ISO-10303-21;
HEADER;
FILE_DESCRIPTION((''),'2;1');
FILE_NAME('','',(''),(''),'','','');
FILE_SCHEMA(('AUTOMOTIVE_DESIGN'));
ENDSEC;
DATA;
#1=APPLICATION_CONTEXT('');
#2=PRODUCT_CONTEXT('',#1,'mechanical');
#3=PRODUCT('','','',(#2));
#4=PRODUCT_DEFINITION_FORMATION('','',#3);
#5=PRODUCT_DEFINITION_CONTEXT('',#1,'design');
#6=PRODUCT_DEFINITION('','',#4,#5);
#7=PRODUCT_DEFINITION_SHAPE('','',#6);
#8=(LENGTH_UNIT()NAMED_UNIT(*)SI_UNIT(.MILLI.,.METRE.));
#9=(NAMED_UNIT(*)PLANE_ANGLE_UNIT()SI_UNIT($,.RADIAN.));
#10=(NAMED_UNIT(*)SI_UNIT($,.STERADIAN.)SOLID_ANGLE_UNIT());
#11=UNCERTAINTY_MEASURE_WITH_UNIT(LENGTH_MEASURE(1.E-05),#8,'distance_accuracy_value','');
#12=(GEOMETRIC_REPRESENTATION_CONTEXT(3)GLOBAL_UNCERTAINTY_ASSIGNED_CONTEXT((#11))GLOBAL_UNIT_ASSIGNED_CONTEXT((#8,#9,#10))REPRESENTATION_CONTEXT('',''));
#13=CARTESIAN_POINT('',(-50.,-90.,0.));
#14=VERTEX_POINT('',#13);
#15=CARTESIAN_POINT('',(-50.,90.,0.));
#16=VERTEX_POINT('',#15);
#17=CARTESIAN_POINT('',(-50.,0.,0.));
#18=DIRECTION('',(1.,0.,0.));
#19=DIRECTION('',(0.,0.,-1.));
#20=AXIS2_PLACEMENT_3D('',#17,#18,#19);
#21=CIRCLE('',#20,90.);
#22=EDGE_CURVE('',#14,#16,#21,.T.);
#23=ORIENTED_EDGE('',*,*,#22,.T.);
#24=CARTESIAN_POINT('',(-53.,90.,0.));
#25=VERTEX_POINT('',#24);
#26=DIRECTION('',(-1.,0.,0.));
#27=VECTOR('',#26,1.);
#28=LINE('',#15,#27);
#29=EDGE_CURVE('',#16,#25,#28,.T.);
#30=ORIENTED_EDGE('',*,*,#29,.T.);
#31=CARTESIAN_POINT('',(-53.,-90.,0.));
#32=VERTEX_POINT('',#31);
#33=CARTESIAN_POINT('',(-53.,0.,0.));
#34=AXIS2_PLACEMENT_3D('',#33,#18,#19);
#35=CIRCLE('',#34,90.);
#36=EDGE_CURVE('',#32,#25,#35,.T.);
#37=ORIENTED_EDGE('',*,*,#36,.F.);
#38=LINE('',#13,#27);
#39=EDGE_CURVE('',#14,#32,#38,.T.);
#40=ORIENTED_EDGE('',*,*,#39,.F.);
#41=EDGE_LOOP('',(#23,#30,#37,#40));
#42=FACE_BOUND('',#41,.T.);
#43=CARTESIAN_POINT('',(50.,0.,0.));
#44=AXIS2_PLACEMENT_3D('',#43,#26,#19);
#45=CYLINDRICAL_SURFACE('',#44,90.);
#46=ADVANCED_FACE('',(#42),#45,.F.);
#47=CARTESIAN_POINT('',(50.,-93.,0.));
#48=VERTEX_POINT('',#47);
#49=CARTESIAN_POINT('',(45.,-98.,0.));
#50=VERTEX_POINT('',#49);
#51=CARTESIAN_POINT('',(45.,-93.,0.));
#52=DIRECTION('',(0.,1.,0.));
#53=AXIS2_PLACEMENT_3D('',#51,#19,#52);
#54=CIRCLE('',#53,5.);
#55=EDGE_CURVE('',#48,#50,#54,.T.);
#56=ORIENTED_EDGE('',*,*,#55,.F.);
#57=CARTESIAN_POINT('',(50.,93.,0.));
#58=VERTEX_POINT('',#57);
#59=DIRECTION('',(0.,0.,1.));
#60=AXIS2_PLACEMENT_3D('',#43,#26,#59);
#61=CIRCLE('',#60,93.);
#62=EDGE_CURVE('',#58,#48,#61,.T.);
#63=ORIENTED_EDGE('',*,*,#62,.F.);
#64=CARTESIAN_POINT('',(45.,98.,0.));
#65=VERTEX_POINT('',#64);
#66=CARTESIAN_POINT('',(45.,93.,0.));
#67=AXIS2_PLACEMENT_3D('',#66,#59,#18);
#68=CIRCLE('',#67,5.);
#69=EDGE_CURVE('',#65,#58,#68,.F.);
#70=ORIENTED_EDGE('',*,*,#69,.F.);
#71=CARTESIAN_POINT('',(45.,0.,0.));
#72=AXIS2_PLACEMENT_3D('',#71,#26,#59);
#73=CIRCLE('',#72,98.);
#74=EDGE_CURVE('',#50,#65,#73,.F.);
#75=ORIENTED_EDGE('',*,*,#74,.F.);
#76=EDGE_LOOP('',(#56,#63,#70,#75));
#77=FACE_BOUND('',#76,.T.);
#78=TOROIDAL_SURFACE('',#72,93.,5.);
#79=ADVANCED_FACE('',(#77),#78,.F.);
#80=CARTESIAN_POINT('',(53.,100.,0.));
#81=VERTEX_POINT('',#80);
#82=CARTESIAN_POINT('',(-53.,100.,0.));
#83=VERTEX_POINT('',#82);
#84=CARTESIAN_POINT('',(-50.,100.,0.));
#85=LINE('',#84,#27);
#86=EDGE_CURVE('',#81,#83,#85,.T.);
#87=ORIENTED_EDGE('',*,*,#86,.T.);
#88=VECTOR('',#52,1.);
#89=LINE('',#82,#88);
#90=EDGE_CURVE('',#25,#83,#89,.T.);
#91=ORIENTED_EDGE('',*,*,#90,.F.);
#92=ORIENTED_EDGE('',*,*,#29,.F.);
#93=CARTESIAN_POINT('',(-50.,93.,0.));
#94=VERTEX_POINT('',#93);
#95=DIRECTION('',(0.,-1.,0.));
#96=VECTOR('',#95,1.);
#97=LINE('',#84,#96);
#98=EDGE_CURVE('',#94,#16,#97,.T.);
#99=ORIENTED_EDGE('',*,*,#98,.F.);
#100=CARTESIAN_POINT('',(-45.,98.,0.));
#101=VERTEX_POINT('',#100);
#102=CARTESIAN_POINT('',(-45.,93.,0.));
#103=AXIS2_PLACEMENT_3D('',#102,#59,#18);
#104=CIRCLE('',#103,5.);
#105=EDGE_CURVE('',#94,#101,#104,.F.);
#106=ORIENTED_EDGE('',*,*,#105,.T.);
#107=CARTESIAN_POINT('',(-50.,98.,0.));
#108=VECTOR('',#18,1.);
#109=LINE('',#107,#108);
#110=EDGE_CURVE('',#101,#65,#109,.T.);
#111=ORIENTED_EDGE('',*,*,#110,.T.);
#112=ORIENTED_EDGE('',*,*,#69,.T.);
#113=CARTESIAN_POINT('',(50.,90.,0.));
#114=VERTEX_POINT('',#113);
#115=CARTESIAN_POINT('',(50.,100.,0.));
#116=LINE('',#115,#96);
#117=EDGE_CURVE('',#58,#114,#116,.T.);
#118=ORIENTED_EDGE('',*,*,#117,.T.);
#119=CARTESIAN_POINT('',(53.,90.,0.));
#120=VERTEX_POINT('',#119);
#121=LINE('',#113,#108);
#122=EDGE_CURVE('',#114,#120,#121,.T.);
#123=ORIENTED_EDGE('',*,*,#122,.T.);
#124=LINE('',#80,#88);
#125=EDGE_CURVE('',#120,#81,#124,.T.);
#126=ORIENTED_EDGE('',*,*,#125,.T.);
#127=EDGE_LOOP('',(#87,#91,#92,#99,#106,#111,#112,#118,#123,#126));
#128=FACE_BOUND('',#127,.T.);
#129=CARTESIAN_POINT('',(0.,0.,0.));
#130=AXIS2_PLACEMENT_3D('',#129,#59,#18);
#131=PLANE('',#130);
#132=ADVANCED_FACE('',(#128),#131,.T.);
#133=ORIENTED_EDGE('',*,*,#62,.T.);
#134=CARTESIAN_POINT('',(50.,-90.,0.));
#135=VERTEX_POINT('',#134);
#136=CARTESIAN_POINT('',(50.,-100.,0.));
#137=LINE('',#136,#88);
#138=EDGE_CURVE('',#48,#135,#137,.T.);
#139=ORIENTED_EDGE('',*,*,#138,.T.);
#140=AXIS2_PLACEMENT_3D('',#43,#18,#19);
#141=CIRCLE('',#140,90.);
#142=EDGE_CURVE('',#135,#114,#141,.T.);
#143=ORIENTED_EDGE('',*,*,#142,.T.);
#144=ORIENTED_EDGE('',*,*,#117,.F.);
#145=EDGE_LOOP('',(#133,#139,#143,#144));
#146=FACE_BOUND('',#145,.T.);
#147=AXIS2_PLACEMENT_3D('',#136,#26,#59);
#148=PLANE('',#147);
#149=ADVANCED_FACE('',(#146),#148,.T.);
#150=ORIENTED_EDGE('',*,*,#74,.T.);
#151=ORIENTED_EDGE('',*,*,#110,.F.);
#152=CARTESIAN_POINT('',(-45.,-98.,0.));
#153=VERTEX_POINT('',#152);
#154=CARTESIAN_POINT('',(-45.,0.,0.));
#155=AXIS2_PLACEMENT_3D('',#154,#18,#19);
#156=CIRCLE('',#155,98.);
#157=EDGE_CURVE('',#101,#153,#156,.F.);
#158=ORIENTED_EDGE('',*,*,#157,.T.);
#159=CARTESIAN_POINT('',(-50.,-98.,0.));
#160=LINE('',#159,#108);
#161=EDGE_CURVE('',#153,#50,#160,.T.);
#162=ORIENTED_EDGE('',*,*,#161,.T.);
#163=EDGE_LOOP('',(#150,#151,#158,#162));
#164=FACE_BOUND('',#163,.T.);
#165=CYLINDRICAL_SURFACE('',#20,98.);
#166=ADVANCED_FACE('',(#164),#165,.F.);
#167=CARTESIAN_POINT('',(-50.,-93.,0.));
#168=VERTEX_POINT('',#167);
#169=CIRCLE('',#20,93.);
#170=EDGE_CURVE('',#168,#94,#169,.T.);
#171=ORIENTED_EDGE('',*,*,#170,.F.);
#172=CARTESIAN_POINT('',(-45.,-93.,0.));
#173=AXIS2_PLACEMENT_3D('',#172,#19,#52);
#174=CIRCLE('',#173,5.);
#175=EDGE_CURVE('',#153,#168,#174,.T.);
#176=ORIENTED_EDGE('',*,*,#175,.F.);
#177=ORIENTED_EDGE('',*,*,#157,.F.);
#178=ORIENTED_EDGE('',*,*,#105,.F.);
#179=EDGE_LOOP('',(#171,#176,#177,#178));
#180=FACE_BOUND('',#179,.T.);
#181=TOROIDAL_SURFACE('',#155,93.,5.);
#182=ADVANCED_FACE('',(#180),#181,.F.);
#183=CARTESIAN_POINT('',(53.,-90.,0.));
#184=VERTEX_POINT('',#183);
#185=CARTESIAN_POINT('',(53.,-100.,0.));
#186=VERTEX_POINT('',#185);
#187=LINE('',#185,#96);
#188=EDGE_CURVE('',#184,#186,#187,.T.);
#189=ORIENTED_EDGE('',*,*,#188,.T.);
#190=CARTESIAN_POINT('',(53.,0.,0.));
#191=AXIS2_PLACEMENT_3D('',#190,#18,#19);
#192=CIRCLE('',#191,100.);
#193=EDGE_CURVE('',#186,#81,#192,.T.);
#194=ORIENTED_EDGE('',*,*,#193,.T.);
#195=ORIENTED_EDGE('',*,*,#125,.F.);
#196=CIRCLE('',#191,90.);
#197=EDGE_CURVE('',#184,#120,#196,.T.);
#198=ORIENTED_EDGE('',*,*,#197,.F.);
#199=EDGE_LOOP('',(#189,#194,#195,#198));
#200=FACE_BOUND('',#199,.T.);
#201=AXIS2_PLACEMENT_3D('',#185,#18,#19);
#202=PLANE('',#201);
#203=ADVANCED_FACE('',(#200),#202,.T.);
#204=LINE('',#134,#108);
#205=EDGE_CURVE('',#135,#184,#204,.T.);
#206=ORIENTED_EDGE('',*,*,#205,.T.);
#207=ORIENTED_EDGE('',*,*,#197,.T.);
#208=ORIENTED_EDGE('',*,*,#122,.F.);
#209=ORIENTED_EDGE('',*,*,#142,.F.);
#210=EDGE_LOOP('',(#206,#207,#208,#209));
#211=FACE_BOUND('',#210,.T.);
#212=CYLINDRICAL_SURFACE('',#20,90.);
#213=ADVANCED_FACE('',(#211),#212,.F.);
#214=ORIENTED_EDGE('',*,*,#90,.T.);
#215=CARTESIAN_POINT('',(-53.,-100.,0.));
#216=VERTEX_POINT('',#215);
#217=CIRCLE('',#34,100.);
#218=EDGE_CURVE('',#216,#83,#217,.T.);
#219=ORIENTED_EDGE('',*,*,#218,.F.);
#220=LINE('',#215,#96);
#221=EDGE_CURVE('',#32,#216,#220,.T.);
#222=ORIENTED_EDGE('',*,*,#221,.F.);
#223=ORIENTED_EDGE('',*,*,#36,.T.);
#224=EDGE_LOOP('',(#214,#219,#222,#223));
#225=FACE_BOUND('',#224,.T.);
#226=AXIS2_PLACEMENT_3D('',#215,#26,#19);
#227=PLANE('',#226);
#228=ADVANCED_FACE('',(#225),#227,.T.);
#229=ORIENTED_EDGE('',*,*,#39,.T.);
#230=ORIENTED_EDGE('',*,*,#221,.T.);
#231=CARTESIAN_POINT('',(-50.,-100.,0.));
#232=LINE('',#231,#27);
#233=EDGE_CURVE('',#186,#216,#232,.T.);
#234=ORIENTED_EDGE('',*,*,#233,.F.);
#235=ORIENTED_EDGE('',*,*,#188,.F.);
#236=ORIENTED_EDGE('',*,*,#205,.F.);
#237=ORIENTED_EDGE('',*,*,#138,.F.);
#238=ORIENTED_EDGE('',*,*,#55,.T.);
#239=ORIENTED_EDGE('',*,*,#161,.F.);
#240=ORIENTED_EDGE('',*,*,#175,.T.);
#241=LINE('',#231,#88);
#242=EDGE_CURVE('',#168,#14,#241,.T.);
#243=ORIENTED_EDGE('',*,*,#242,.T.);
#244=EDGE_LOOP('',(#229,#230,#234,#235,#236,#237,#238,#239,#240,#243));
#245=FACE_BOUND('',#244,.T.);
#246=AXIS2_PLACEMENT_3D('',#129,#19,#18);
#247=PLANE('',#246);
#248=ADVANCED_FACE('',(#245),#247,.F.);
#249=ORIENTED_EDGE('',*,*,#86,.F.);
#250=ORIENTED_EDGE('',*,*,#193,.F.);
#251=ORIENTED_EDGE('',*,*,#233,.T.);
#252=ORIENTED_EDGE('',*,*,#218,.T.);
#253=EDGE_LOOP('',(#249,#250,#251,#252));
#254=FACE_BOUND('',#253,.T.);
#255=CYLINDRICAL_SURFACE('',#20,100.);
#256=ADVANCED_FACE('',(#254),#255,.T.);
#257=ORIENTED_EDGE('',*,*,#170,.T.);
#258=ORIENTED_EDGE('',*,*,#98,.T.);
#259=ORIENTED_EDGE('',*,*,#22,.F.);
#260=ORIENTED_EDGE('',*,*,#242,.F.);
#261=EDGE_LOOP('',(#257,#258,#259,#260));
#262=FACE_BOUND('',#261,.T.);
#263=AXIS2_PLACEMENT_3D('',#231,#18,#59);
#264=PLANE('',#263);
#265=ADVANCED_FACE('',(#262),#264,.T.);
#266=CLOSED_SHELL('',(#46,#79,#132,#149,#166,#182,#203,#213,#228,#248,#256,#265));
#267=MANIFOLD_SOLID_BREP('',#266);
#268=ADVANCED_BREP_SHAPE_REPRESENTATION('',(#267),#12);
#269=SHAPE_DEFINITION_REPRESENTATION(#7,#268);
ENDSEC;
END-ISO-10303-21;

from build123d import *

# Parameters (mm, degrees)
SKETCH_1_W             = 100
SKETCH_1_H             = 2
REVOLVE_1_ANGLE        = 180
SKETCH_3_W             = 3
SKETCH_3_H             = 10
REVOLVE_2_ANGLE        = 180
FILLET_1_R             = 5
FILLET_1_OF_MIRROR_1_R = 5


with BuildPart() as part:
    # ｽｹｯﾁ1 → 回転1 (revolve)
    with BuildSketch(Plane.XY):
        with Locations((0, 99)):
            Rectangle(SKETCH_1_W, SKETCH_1_H)
    revolve(axis=Axis((-50, 0, 0), (-1, 0, 0)), revolution_arc=REVOLVE_1_ANGLE)

    # ｽｹｯﾁ3 → 回転2 (revolve)
    with BuildSketch(Plane.XY):
        with Locations((51.5, 95)):
            Rectangle(SKETCH_3_W, SKETCH_3_H)
    revolve_2 = revolve(axis=Axis((-50, 0, 0), (-1, 0, 0)), revolution_arc=REVOLVE_2_ANGLE)

    # ﾌｨﾚｯﾄ1
    fillet_1_edges = [part.edges().sort_by_distance(p)[0] for p in [
        (50, 0, -98),
    ]]
    fillet(fillet_1_edges, radius=FILLET_1_R)

    # ﾐﾗｰ1: 回転2 across plane
    add(revolve_2.mirror(Plane(origin=(0, 0, 0), x_dir=(0, 0, 1), z_dir=(1, 0, 0))))

    # ﾌｨﾚｯﾄ1 of ﾐﾗｰ1
    fillet_1_of_mirror_1_edges = [part.edges().sort_by_distance(p)[0] for p in [
        (-50, 0, -98),
    ]]
    fillet(fillet_1_of_mirror_1_edges, radius=FILLET_1_OF_MIRROR_1_R)


solid = part.part
